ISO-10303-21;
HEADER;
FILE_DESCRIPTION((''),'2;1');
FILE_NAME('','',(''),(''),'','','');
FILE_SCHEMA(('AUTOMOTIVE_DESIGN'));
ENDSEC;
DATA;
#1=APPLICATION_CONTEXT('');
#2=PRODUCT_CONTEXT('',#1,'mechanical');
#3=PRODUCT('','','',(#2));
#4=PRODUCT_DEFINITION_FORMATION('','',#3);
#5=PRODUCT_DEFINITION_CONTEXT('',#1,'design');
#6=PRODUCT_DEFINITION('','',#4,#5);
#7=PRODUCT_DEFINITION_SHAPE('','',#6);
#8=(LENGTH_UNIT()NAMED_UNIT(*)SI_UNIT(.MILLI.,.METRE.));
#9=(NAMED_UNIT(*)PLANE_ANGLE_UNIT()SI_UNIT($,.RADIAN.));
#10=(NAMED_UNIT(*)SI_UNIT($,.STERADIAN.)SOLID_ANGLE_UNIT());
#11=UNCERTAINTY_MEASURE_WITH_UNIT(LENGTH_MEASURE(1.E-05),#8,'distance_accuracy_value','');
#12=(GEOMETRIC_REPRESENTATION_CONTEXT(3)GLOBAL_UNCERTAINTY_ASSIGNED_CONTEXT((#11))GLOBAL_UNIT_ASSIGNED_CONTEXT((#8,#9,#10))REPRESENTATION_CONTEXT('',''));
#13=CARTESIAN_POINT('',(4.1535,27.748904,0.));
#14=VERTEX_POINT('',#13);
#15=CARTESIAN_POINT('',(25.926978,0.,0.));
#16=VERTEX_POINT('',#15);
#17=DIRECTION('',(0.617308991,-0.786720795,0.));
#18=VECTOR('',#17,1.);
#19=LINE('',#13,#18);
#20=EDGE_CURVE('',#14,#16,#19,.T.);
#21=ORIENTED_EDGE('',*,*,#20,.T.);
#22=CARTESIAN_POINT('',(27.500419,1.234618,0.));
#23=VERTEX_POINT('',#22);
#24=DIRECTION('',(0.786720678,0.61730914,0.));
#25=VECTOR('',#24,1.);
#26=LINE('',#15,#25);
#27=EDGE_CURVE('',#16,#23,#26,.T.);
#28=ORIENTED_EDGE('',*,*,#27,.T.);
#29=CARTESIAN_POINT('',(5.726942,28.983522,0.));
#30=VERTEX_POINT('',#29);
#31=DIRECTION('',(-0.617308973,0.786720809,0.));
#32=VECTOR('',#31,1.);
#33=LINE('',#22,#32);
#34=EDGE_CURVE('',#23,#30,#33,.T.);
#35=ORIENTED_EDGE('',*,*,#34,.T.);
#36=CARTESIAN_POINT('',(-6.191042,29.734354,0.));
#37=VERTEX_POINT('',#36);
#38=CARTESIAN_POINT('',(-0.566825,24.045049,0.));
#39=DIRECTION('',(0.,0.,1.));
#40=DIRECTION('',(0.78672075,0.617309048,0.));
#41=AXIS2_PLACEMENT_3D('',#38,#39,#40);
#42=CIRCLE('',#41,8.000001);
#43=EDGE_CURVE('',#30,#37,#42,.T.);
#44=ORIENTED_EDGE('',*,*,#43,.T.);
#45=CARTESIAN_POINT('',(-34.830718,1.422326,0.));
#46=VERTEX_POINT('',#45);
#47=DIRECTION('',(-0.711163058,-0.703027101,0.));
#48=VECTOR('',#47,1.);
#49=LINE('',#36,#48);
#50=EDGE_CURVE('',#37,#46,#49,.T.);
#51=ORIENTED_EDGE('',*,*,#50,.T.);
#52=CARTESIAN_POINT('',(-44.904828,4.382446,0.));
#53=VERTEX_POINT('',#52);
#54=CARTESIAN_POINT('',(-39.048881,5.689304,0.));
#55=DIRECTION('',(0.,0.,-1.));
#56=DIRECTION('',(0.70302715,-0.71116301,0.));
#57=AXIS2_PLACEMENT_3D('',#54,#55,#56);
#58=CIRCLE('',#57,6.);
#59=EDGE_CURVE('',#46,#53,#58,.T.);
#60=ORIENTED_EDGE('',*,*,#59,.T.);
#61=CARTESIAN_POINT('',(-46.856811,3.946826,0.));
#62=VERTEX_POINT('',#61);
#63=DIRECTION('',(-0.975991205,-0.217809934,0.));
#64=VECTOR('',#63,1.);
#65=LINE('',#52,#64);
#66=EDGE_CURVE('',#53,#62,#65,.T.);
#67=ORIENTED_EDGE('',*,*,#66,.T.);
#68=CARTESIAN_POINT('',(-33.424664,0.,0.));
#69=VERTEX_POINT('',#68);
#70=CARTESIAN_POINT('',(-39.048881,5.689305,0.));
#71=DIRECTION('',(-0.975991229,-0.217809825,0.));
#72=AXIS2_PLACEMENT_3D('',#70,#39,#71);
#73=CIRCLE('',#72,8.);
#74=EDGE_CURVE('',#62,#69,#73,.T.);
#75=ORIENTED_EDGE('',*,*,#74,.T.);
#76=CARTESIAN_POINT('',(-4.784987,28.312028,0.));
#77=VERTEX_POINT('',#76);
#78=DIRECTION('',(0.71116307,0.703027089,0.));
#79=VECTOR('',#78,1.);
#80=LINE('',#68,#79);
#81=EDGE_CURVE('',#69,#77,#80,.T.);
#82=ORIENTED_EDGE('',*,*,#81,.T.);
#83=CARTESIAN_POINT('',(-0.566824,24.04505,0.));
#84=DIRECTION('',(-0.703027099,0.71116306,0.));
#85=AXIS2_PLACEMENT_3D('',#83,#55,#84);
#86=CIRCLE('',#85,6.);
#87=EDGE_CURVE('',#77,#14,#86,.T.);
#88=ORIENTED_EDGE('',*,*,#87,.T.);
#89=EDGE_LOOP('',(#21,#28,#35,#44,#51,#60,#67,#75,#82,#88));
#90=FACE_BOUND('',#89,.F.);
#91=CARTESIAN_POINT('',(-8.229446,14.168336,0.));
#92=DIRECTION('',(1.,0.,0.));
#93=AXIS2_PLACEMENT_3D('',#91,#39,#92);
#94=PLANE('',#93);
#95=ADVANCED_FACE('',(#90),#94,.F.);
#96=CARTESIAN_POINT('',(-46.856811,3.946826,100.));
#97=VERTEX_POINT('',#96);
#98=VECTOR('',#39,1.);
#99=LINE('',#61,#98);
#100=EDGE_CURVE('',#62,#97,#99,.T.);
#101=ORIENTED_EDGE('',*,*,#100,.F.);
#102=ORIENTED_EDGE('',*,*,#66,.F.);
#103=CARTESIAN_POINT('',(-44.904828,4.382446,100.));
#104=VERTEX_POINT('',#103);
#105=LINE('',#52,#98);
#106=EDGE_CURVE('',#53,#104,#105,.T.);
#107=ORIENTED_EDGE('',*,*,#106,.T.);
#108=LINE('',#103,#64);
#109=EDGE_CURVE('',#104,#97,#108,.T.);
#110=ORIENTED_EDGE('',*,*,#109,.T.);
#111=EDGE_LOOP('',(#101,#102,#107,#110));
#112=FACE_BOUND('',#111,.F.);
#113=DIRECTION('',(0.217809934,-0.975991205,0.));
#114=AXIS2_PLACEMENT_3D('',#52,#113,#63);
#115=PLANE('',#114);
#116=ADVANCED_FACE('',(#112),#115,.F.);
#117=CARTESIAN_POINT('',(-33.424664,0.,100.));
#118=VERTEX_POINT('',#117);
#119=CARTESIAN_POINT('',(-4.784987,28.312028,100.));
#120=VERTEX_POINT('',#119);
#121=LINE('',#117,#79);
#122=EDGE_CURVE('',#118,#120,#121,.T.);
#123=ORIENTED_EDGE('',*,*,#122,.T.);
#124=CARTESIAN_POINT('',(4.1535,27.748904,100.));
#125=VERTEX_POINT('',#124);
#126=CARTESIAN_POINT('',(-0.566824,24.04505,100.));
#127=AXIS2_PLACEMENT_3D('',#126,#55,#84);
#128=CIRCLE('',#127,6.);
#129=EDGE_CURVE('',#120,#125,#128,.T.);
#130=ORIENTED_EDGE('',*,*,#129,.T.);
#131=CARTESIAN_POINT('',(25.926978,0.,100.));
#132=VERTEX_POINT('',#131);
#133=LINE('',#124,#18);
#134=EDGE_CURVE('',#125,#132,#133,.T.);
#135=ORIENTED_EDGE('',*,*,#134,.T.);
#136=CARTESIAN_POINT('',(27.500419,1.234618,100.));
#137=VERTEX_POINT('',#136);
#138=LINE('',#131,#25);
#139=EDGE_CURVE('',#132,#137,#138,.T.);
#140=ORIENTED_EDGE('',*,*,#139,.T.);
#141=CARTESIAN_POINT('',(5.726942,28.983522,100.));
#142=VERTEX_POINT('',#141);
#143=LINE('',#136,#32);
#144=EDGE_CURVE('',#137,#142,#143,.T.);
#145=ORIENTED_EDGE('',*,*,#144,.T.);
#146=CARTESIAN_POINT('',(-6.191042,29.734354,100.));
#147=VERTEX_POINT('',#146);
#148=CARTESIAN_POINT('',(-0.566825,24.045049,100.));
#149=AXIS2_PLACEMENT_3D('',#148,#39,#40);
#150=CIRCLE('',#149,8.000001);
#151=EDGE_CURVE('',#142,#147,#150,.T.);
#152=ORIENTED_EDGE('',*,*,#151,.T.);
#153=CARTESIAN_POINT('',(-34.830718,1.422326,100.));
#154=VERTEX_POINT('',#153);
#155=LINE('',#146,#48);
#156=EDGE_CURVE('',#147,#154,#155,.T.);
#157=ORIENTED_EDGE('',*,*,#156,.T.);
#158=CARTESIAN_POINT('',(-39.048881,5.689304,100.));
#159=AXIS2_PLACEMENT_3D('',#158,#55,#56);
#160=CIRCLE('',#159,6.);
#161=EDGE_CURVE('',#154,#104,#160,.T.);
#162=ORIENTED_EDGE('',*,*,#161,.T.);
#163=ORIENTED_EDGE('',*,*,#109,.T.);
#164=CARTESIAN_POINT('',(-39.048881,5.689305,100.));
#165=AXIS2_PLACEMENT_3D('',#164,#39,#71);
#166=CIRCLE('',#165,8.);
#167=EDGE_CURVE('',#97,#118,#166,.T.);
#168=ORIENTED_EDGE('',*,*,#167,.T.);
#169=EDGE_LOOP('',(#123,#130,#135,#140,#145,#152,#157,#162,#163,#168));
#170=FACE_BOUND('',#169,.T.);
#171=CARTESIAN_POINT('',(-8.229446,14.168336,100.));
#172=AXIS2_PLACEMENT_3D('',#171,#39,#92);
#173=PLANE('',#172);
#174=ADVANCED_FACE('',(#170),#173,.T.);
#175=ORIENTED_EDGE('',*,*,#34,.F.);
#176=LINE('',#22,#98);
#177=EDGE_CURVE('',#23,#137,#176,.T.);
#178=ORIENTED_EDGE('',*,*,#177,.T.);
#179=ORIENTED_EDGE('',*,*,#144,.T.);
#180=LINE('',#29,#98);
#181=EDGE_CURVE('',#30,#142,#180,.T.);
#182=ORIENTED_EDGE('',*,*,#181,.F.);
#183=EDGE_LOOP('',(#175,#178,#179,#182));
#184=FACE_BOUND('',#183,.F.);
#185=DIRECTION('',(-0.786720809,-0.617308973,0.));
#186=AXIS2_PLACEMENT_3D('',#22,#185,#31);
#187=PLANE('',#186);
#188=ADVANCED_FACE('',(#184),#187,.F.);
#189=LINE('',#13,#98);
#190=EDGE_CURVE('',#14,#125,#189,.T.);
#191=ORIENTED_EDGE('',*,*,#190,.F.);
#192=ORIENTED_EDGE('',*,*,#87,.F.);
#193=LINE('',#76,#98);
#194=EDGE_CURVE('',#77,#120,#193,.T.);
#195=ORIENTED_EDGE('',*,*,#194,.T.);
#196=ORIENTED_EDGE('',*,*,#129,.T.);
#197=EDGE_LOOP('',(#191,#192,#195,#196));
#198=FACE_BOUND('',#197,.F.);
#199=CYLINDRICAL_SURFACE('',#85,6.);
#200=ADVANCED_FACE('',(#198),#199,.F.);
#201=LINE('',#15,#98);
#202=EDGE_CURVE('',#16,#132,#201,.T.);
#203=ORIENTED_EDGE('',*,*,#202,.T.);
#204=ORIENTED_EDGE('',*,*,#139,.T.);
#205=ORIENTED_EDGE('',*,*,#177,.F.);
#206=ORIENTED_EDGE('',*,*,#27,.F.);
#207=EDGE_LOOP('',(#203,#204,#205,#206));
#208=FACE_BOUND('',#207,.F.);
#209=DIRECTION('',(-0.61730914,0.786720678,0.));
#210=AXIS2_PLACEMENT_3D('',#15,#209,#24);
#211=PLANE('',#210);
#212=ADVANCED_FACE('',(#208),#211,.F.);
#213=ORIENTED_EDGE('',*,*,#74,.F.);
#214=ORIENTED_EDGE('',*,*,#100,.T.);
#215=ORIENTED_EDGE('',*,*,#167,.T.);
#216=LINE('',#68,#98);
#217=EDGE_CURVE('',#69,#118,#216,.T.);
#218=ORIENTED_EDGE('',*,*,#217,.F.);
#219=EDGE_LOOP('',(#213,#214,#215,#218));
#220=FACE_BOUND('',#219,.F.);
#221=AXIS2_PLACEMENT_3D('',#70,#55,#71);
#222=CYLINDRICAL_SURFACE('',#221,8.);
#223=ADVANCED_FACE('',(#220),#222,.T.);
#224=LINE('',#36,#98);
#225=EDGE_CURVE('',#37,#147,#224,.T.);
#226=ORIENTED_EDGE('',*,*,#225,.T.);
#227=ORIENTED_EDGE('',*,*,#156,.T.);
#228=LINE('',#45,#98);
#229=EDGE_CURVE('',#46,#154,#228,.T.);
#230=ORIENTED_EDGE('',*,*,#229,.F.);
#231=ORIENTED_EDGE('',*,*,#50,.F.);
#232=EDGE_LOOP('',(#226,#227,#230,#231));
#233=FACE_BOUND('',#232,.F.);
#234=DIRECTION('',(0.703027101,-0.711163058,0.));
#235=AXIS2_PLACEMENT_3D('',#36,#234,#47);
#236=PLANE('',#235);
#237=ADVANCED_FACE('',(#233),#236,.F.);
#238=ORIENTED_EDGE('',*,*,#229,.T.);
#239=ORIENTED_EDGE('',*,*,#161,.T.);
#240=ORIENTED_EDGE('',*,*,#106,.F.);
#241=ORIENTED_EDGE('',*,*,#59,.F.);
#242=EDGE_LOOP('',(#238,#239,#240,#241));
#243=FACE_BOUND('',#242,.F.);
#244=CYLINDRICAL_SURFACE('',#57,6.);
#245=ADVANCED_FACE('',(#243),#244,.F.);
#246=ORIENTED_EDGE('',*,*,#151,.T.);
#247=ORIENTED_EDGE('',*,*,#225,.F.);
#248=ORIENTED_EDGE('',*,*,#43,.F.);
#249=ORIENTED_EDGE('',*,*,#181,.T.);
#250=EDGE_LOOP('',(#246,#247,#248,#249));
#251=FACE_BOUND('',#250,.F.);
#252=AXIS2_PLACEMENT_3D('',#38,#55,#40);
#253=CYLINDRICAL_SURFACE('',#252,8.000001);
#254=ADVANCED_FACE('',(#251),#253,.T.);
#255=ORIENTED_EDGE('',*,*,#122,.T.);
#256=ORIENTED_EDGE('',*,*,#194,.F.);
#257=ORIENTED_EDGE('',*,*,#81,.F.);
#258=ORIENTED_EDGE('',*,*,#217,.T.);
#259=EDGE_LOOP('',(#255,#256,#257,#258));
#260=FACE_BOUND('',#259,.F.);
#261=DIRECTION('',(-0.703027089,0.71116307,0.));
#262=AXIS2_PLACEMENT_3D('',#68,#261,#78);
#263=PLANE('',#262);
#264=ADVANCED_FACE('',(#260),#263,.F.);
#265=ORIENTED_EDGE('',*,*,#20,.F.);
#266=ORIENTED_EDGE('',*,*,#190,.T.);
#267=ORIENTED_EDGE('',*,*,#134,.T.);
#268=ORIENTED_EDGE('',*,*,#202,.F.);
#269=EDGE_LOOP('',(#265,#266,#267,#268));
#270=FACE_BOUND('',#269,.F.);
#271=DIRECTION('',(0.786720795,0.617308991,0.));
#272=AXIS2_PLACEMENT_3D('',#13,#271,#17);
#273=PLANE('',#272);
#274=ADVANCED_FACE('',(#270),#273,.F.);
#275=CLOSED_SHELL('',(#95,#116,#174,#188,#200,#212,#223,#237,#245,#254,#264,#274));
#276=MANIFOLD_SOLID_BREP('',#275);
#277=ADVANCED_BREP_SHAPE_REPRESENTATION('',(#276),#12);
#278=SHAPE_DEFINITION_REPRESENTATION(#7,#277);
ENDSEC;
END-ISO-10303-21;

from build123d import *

# Parameters (mm, degrees)
F1_DEPTH = 100


with BuildPart() as f1:
    # F0 (on Top) → F1 (new body)
    with BuildSketch(Plane.XY):
        with BuildLine():
            ThreePointArc((-46.856811, 3.946826), (-41.30421, -1.986208), (-33.424664, 0))
            Line((-33.424664, 0), (-4.784987, 28.312028))
            ThreePointArc((-4.784987, 28.312028), (-0.189573, 30.033178), (4.1535, 27.748904))
            Line((4.1535, 27.748904), (25.926978, 0))
            Line((25.926978, 0), (27.500419, 1.234618))
            Line((27.500419, 1.234618), (5.726942, 28.983522))
            ThreePointArc((5.726942, 28.983522), (-0.063822, 32.029221), (-6.191042, 29.734354))
            Line((-6.191042, 29.734354), (-34.830718, 1.422326))
            ThreePointArc((-34.830718, 1.422326), (-40.740378, -0.06733), (-44.904828, 4.382446))
            Line((-44.904828, 4.382446), (-46.856811, 3.946826))
        make_face()
    extrude(amount=F1_DEPTH)


solid = f1.part
